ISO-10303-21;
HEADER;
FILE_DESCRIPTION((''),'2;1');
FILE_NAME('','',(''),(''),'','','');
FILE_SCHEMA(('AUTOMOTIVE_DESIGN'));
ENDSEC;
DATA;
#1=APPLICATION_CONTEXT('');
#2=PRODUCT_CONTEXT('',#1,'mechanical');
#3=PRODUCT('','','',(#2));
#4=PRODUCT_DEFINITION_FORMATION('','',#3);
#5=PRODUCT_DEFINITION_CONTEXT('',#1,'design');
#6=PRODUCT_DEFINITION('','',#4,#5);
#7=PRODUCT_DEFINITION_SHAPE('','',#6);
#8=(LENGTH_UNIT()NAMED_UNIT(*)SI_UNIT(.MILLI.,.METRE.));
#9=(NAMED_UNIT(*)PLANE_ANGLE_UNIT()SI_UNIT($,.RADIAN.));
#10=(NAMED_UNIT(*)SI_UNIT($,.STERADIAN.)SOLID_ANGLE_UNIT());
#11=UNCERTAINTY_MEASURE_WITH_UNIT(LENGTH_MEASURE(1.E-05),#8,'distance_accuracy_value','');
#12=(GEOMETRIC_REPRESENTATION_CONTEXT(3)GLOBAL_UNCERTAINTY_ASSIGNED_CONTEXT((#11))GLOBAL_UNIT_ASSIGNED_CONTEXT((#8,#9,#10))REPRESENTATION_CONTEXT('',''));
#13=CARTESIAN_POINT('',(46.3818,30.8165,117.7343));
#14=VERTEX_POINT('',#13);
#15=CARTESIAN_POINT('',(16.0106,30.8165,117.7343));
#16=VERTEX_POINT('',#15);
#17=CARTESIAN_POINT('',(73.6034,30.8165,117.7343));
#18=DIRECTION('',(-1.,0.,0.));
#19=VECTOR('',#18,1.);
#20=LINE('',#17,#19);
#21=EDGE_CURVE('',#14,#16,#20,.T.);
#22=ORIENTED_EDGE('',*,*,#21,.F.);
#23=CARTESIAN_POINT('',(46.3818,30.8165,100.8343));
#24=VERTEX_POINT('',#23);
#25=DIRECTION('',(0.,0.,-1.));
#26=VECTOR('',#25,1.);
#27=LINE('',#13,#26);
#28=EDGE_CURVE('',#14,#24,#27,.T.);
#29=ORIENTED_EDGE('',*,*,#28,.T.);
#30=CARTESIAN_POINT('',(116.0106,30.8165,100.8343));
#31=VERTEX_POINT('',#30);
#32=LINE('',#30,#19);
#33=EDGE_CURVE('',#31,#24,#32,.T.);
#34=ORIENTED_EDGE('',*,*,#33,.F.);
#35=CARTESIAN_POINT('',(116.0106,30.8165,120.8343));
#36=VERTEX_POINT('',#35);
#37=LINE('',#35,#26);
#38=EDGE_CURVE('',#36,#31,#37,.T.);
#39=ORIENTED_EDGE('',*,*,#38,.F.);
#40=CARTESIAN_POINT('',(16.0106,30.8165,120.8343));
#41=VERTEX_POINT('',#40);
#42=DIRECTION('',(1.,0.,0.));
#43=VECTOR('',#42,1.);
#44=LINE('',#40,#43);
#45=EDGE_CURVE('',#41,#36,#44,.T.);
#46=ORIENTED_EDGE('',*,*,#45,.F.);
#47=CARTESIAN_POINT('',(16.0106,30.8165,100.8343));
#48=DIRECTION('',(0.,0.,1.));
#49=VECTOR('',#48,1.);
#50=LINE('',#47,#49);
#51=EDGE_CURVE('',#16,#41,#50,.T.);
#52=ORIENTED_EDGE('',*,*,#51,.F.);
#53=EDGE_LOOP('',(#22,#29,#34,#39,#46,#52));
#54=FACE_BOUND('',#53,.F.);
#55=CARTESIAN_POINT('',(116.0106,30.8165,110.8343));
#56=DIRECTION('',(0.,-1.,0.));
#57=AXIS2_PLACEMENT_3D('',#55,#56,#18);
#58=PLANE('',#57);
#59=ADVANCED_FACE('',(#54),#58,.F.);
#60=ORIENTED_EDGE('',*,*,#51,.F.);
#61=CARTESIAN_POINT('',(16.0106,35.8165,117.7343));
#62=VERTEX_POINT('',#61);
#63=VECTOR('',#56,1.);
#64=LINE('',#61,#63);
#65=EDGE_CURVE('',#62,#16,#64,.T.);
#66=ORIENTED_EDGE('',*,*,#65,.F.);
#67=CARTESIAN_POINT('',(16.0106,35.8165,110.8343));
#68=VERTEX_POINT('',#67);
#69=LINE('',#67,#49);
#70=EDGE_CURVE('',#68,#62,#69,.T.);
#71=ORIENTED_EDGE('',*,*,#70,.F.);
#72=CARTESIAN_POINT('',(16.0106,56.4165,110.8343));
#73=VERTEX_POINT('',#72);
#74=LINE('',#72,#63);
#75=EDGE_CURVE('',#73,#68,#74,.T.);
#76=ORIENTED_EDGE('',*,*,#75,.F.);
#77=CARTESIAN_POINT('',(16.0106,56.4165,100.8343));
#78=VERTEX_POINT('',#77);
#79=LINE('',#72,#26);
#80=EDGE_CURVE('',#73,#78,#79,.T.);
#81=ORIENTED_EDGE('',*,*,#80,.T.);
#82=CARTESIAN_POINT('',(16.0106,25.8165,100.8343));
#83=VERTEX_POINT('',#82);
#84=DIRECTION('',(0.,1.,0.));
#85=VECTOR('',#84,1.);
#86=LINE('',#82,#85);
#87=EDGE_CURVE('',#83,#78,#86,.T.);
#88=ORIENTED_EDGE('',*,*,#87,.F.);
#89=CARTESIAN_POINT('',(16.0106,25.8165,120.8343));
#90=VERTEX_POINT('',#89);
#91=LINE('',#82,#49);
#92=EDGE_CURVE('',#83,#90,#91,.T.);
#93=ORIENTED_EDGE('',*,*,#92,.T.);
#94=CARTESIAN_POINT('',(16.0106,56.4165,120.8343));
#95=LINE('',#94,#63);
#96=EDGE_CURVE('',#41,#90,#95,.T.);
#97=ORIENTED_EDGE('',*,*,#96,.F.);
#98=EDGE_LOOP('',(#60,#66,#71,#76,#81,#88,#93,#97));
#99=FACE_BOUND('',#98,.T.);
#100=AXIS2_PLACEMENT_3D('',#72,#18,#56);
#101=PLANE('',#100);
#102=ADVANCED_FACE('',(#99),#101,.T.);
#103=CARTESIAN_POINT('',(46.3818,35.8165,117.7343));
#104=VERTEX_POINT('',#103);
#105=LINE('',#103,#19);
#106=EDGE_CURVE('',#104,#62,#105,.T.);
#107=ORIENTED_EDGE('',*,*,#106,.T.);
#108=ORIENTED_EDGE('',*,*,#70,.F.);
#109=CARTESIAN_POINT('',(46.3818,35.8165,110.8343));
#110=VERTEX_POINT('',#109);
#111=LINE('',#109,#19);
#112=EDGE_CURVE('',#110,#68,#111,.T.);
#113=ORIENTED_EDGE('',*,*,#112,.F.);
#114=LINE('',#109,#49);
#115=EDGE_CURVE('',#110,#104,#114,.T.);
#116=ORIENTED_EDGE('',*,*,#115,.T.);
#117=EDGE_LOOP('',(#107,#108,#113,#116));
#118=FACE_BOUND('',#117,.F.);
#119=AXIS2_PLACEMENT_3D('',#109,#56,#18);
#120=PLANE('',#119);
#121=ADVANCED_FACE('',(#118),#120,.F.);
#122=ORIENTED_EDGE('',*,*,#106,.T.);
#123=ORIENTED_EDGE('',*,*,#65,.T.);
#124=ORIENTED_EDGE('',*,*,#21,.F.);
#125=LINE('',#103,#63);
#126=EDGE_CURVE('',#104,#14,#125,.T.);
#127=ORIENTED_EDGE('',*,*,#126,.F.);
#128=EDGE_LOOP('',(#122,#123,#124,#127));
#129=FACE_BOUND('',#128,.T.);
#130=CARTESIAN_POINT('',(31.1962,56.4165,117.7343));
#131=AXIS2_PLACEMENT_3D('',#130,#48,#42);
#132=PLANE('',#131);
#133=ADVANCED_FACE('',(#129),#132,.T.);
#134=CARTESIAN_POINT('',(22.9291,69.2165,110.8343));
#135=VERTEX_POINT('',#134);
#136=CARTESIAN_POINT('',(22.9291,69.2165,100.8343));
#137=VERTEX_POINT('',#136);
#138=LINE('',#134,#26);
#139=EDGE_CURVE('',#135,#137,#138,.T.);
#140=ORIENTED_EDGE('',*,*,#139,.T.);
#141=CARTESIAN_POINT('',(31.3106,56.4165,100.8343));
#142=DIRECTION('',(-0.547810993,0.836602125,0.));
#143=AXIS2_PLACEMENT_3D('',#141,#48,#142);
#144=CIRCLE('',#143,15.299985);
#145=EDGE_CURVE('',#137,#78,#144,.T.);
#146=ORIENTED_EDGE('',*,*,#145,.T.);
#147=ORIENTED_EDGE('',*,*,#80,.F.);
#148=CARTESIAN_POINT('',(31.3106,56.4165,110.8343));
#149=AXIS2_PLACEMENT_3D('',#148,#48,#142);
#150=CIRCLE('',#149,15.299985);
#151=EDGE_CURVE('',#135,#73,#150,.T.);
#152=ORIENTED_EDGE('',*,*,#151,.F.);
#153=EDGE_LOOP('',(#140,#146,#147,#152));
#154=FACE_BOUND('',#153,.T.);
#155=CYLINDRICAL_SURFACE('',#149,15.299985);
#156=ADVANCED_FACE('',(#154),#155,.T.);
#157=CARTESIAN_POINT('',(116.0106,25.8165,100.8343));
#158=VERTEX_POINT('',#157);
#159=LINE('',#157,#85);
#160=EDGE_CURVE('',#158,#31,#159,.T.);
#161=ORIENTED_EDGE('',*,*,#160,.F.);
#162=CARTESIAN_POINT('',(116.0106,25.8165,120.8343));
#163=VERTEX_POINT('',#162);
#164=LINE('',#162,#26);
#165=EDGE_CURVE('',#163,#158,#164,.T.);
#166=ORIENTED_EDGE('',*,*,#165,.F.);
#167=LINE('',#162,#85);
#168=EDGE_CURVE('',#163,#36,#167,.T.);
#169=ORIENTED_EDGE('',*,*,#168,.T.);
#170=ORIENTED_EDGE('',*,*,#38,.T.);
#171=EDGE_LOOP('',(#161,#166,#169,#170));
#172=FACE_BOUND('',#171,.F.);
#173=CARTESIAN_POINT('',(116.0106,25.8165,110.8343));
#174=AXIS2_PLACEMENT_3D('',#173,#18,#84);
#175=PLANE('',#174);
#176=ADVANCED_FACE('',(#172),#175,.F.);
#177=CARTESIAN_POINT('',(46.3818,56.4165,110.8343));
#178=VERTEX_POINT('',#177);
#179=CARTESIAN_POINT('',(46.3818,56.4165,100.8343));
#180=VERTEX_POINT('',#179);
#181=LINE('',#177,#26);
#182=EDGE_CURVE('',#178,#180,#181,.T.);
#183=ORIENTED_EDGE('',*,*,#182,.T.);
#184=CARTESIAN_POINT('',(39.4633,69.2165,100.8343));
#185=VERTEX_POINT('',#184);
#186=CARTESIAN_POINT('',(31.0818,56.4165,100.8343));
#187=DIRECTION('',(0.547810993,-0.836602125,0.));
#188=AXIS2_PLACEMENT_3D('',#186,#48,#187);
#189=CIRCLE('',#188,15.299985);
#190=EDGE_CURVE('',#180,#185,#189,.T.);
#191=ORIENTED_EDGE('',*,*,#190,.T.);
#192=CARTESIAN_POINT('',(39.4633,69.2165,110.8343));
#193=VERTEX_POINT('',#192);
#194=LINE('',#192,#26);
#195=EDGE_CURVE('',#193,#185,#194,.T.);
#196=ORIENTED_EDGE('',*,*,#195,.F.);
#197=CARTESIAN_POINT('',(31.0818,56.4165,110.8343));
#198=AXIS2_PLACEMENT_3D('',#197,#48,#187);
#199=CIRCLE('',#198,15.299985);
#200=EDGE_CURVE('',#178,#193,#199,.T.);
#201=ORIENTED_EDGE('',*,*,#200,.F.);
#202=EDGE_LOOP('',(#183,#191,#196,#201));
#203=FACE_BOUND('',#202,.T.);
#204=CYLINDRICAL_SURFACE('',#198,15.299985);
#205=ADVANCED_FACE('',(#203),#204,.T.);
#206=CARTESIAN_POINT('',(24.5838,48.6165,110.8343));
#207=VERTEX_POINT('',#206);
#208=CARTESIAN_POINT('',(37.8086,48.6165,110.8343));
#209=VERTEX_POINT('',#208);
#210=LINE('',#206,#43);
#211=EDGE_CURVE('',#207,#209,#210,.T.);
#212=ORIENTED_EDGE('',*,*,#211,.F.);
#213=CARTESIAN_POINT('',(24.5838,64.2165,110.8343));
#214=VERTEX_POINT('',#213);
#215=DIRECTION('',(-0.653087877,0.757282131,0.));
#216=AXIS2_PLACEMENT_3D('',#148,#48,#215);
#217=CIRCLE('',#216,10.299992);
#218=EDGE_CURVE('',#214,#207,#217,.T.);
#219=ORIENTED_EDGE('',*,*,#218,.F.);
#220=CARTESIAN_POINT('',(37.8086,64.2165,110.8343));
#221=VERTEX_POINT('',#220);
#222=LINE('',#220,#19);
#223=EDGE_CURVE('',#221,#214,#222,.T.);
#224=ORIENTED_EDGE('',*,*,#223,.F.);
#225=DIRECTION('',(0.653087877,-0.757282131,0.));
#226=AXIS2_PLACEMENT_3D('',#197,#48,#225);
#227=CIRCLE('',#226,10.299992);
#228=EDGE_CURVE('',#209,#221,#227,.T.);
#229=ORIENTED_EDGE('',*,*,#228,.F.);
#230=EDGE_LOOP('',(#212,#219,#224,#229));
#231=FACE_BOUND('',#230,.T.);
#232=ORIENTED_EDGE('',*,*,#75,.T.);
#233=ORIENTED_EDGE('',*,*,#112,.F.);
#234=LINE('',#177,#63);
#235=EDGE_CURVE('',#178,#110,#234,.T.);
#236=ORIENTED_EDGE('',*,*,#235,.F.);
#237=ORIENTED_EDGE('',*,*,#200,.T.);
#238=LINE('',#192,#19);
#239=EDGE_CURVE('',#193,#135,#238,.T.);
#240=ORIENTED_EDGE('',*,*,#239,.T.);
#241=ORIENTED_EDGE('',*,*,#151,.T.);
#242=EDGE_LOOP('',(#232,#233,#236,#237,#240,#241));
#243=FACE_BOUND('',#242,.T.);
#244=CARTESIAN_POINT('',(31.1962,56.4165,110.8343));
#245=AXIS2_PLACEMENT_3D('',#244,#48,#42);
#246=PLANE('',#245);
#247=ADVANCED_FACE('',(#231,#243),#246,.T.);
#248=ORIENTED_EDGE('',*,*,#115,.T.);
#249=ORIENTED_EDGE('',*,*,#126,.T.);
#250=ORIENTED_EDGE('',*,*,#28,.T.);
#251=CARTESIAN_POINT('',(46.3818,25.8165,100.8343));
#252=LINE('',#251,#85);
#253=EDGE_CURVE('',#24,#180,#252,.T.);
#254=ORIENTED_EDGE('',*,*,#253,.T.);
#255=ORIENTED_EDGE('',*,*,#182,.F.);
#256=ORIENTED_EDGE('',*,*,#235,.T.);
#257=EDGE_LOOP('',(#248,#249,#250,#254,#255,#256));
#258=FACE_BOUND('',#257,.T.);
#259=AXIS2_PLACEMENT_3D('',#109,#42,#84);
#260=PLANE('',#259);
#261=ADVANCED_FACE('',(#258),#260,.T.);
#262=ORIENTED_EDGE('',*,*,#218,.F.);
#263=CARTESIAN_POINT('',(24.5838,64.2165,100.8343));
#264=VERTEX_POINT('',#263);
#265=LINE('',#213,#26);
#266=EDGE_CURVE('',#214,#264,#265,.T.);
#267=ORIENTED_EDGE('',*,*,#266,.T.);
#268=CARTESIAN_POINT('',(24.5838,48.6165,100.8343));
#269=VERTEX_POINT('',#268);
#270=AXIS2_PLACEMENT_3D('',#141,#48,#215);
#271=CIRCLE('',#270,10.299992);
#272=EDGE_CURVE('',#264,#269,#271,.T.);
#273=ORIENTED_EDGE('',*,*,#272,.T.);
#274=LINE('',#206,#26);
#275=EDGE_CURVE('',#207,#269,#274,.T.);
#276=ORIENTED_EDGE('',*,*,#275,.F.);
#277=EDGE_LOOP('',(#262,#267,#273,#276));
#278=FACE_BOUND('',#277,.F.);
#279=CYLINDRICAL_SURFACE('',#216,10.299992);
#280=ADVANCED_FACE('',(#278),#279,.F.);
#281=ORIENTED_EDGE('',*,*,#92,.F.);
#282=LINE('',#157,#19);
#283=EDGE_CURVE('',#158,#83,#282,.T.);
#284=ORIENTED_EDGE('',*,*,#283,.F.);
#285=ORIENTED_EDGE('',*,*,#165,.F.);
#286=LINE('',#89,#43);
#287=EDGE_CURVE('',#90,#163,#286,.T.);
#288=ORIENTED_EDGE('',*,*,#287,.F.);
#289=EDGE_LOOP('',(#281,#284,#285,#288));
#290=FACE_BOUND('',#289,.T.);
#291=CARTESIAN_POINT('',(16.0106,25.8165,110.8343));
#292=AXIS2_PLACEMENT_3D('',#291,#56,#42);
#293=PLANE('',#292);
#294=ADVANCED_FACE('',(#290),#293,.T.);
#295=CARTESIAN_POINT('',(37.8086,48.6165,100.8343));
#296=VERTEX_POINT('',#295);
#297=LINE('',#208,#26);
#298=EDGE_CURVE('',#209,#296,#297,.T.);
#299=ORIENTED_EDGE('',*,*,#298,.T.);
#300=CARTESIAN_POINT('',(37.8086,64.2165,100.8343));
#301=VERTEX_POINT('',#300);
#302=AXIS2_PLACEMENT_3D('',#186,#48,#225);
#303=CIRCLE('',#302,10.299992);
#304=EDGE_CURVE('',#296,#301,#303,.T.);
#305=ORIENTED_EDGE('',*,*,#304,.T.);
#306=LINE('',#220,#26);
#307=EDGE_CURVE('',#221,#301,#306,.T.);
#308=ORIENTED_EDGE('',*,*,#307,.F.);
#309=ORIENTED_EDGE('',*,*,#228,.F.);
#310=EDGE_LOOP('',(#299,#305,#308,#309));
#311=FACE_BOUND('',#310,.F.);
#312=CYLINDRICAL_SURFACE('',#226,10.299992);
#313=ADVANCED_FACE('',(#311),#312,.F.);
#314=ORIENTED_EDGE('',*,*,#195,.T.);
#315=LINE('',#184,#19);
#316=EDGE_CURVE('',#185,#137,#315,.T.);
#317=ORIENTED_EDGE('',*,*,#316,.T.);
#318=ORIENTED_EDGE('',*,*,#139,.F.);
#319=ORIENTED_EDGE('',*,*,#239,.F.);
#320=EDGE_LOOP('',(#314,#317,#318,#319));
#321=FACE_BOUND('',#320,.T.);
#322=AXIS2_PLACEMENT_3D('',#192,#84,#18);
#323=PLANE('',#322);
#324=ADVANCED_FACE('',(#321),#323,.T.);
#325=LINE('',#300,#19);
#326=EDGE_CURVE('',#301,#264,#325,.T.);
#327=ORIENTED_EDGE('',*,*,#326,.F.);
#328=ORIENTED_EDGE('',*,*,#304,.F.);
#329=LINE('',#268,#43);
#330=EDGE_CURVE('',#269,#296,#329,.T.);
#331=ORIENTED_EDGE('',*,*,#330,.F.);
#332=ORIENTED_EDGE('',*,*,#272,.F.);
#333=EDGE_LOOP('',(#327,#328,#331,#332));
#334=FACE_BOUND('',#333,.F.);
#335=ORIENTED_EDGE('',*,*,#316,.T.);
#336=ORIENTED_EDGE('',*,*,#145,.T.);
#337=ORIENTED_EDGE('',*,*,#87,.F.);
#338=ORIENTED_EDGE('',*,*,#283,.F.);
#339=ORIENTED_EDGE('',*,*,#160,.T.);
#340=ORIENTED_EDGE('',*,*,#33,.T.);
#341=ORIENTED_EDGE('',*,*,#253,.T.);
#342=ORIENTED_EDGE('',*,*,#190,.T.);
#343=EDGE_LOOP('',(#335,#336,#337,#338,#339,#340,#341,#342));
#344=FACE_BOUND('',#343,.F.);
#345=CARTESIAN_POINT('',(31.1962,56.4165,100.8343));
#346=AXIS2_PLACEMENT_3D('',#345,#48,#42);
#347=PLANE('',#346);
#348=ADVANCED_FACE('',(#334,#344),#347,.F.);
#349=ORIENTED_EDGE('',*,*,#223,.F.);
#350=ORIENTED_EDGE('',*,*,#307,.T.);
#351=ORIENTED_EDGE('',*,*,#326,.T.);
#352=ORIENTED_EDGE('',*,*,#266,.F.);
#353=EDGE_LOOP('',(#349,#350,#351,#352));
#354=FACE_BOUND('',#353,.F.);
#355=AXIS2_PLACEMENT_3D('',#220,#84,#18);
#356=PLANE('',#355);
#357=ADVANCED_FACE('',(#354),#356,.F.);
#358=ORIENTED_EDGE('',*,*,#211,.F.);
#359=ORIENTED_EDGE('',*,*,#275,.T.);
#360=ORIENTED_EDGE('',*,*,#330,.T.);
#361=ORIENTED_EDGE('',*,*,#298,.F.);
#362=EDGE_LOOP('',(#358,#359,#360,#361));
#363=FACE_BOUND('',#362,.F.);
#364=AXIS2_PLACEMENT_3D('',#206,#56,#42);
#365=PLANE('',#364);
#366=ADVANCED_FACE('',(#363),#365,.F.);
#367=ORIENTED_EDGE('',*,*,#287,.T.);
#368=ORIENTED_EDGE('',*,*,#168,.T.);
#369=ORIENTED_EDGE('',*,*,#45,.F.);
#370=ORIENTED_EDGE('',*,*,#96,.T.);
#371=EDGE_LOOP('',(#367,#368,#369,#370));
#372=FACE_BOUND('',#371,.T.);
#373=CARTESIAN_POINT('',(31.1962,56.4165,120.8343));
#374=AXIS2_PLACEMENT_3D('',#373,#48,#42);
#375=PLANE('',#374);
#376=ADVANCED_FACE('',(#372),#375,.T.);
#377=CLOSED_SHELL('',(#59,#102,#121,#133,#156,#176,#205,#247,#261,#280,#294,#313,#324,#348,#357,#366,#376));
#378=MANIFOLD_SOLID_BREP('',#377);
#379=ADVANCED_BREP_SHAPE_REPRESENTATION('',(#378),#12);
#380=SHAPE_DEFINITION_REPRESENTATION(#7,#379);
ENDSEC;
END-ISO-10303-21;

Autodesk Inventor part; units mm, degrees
ref_plane "YZ Plane" through (0, 0, 0) normal (1, 0, 0) x (0, 1, 0)
ref_plane "Work Plane1" through (31.1962, 56.4165, 110.8343) normal (0, 0, 1) x (1, 0, 0)
sketch "Sketch2" plane through (31.1962, 56.4165, 110.8343) normal (0, 0, 1) x (1, 0, 0)
  line L0 (6.5, -7.5) -> (-6.5, -7.5) construction
  line L1 (-6.5, 7.5) -> (6.5, 7.5) construction
  arc A0 (6.5, -7.5) -> (6.5, 7.5) centre (-0.1144, 0) ccw construction
  arc A1 (-6.5, 7.5) -> (-6.5, -7.5) centre (0.1144, 0) ccw construction
  line L2 (6.6124, 7.8) -> (-6.6124, 7.8)
  arc A2 (-6.6124, 7.8) -> (-6.6124, -7.8) centre (0.1144, 0) ccw
  line L3 (-6.6124, -7.8) -> (6.6124, -7.8)
  arc A3 (6.6124, -7.8) -> (6.6124, 7.8) centre (-0.1144, 0) ccw
  line L4 (8.2671, 12.8) -> (-8.2671, 12.8)
  arc A4 (-8.2671, 12.8) -> (-8.2671, -12.8) centre (0.1144, 0) ccw
  line L5 (-8.2671, -12.8) -> (8.2671, -12.8)
  arc A5 (8.2671, -12.8) -> (8.2671, 12.8) centre (-0.1144, 0) ccw
  line L6 (15.1856, 0) -> (-15.1856, 0) construction
  line L7 (-15.1856, 0) -> (-15.1856, -30.6)
  line L8 (-15.1856, -30.6) -> (15.1856, -30.6)
  line L9 (15.1856, -30.6) -> (15.1856, 0)
  line L10 (15.1856, -30.6) -> (-15.1856, -30.6)
  line L11 (-15.1856, -30.6) -> (-15.1856, -25.6)
  line L12 (15.1856, -25.6) -> (15.1856, -30.6)
  line L13 (15.1856, -20.6) -> (-15.1856, -20.6)
  line L14 (-15.1856, -30.6) -> (84.8144, -30.6)
  line L15 (84.8144, -30.6) -> (84.8144, -25.6)
  line L16 (84.8144, -25.6) -> (-15.1856, -25.6)
  line L17 (-15.1856, -25.6) -> (-15.1856, -30.6)
  point P0 (-31.1962, -56.4165)
  point P1 (-15.1856, 0)
  dimension "d5" = 0.3
  dimension "d6" = 5
  dimension "d7" = 30.6
  dimension "d16" = 100
extrude "Extrusion1" add sketch "Sketch2" against normal blind 10 contours A5 L5 A4 L4 | L9 L13 L7 A4 L5 A5 | L9 L16 L7 L13 | L9 L8 L7 L16
ref_plane "Work Plane2" through (-8.5806, 30.9168, 125.8343) normal (0, 0, 1) x (1, 0, 0)
extrude "Extrusion2" add sketch "Sketch2" along normal blind 10 and the other way blind 10 contours L16 L15 L14 L9 | L9 L8 L7 L16
extrude "Extrusion3" add sketch "Sketch2" along normal blind 6.9 contours L9 L16 L7 L13 | L9 L8 L7 L16
properties part number "tempHolder"
